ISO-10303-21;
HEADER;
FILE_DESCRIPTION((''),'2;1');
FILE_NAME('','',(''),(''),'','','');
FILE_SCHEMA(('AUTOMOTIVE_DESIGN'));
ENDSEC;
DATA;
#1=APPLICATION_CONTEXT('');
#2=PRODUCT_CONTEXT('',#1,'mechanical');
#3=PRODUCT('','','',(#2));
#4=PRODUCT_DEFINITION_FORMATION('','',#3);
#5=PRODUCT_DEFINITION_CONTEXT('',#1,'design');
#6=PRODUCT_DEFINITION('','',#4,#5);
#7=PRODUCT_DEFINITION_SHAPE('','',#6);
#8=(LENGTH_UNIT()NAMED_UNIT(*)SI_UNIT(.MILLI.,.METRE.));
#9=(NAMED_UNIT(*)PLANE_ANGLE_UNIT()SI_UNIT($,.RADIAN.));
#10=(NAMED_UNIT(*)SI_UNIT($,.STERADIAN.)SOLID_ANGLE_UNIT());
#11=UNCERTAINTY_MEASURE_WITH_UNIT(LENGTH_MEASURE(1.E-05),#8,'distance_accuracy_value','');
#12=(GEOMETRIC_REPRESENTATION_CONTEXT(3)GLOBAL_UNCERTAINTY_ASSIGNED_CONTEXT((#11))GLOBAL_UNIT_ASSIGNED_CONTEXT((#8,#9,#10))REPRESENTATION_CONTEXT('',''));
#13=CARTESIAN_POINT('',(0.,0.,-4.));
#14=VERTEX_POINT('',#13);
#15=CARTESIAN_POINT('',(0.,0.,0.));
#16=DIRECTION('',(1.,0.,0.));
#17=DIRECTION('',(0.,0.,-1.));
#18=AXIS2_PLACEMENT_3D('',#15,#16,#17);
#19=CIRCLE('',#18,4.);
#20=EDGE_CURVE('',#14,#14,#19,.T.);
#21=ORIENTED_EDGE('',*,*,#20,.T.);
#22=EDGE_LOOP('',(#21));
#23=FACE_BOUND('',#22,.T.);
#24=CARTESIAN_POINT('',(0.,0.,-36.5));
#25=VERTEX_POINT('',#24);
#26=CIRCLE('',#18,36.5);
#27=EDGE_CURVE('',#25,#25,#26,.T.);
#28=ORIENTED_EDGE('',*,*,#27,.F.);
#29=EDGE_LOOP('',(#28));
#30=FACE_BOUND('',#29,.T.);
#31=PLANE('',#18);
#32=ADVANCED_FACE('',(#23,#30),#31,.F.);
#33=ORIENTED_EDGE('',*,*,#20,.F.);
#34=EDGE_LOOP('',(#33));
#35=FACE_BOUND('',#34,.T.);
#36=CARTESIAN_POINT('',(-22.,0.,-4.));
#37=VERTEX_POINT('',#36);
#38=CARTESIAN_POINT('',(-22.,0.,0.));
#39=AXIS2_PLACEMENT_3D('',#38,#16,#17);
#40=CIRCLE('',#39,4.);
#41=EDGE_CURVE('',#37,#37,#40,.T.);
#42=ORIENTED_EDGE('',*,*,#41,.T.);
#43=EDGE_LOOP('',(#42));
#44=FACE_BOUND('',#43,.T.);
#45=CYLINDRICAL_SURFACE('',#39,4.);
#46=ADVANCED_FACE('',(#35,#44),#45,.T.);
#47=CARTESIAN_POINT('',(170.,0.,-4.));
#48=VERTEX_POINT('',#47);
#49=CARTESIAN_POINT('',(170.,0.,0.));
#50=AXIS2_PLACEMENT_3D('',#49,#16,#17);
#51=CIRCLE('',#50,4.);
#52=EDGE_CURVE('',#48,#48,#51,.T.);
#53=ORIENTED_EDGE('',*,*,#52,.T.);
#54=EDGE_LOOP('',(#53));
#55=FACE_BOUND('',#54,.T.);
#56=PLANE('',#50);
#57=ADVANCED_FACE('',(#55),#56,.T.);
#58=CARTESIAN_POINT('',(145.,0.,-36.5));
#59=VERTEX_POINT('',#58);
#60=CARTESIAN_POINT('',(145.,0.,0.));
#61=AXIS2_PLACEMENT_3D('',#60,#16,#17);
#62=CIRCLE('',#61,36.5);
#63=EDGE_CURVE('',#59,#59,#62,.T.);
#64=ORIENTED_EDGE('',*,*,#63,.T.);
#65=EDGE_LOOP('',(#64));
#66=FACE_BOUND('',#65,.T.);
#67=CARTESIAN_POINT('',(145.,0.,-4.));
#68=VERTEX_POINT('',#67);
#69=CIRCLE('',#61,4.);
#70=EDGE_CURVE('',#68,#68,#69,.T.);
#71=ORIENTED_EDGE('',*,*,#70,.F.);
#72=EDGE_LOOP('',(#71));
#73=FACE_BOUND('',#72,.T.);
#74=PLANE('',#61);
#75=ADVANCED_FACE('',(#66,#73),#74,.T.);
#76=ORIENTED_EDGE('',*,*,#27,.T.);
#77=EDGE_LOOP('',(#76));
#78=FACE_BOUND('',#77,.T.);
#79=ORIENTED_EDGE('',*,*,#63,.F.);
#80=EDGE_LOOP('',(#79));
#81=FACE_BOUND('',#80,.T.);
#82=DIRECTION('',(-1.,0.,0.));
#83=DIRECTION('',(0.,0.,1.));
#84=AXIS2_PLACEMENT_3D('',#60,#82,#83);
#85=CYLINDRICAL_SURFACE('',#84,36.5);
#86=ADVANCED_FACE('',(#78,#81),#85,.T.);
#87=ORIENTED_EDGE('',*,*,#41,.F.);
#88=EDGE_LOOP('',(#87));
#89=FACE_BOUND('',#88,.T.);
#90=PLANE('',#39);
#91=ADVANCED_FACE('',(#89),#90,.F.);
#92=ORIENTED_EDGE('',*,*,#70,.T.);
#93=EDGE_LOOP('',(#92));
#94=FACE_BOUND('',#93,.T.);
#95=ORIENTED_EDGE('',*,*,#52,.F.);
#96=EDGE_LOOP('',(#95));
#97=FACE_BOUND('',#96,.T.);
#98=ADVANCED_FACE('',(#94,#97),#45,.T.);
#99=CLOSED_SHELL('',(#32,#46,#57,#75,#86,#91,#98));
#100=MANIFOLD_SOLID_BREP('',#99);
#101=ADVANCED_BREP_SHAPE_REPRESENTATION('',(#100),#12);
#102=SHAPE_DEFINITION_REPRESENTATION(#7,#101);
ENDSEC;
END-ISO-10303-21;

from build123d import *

# Parameters (mm, degrees)
SKETCH1_R                = 36.5
SKETCH1_R_2              = 4
BOSS_EXTRUDE1_DEPTH      = 145
BOSS_EXTRUDE2_DEPTH      = 170
BOSS_EXTRUDE2_DEPTH_BACK = 22
SKETCH1_3_R              = 4


with BuildPart() as part:
    # Sketch1 → Boss-Extrude1 (new body)
    with BuildSketch(Plane(origin=(0, 0, 0), x_dir=(0, 0, -1), z_dir=(1, 0, 0))):
        Circle(SKETCH1_R)
        Circle(SKETCH1_R_2, mode=Mode.SUBTRACT)
    extrude(amount=BOSS_EXTRUDE1_DEPTH)

    # Sketch1<3> → Boss-Extrude2 (add, two sides: drawn at the far end of the back side and taken through both)
    with BuildSketch(Plane(origin=(0, 0, 0), x_dir=(0, 0, -1), z_dir=(1, 0, 0)).offset(-BOSS_EXTRUDE2_DEPTH_BACK)):
        Circle(SKETCH1_3_R)
    extrude(amount=BOSS_EXTRUDE2_DEPTH + BOSS_EXTRUDE2_DEPTH_BACK)


solid = part.part
